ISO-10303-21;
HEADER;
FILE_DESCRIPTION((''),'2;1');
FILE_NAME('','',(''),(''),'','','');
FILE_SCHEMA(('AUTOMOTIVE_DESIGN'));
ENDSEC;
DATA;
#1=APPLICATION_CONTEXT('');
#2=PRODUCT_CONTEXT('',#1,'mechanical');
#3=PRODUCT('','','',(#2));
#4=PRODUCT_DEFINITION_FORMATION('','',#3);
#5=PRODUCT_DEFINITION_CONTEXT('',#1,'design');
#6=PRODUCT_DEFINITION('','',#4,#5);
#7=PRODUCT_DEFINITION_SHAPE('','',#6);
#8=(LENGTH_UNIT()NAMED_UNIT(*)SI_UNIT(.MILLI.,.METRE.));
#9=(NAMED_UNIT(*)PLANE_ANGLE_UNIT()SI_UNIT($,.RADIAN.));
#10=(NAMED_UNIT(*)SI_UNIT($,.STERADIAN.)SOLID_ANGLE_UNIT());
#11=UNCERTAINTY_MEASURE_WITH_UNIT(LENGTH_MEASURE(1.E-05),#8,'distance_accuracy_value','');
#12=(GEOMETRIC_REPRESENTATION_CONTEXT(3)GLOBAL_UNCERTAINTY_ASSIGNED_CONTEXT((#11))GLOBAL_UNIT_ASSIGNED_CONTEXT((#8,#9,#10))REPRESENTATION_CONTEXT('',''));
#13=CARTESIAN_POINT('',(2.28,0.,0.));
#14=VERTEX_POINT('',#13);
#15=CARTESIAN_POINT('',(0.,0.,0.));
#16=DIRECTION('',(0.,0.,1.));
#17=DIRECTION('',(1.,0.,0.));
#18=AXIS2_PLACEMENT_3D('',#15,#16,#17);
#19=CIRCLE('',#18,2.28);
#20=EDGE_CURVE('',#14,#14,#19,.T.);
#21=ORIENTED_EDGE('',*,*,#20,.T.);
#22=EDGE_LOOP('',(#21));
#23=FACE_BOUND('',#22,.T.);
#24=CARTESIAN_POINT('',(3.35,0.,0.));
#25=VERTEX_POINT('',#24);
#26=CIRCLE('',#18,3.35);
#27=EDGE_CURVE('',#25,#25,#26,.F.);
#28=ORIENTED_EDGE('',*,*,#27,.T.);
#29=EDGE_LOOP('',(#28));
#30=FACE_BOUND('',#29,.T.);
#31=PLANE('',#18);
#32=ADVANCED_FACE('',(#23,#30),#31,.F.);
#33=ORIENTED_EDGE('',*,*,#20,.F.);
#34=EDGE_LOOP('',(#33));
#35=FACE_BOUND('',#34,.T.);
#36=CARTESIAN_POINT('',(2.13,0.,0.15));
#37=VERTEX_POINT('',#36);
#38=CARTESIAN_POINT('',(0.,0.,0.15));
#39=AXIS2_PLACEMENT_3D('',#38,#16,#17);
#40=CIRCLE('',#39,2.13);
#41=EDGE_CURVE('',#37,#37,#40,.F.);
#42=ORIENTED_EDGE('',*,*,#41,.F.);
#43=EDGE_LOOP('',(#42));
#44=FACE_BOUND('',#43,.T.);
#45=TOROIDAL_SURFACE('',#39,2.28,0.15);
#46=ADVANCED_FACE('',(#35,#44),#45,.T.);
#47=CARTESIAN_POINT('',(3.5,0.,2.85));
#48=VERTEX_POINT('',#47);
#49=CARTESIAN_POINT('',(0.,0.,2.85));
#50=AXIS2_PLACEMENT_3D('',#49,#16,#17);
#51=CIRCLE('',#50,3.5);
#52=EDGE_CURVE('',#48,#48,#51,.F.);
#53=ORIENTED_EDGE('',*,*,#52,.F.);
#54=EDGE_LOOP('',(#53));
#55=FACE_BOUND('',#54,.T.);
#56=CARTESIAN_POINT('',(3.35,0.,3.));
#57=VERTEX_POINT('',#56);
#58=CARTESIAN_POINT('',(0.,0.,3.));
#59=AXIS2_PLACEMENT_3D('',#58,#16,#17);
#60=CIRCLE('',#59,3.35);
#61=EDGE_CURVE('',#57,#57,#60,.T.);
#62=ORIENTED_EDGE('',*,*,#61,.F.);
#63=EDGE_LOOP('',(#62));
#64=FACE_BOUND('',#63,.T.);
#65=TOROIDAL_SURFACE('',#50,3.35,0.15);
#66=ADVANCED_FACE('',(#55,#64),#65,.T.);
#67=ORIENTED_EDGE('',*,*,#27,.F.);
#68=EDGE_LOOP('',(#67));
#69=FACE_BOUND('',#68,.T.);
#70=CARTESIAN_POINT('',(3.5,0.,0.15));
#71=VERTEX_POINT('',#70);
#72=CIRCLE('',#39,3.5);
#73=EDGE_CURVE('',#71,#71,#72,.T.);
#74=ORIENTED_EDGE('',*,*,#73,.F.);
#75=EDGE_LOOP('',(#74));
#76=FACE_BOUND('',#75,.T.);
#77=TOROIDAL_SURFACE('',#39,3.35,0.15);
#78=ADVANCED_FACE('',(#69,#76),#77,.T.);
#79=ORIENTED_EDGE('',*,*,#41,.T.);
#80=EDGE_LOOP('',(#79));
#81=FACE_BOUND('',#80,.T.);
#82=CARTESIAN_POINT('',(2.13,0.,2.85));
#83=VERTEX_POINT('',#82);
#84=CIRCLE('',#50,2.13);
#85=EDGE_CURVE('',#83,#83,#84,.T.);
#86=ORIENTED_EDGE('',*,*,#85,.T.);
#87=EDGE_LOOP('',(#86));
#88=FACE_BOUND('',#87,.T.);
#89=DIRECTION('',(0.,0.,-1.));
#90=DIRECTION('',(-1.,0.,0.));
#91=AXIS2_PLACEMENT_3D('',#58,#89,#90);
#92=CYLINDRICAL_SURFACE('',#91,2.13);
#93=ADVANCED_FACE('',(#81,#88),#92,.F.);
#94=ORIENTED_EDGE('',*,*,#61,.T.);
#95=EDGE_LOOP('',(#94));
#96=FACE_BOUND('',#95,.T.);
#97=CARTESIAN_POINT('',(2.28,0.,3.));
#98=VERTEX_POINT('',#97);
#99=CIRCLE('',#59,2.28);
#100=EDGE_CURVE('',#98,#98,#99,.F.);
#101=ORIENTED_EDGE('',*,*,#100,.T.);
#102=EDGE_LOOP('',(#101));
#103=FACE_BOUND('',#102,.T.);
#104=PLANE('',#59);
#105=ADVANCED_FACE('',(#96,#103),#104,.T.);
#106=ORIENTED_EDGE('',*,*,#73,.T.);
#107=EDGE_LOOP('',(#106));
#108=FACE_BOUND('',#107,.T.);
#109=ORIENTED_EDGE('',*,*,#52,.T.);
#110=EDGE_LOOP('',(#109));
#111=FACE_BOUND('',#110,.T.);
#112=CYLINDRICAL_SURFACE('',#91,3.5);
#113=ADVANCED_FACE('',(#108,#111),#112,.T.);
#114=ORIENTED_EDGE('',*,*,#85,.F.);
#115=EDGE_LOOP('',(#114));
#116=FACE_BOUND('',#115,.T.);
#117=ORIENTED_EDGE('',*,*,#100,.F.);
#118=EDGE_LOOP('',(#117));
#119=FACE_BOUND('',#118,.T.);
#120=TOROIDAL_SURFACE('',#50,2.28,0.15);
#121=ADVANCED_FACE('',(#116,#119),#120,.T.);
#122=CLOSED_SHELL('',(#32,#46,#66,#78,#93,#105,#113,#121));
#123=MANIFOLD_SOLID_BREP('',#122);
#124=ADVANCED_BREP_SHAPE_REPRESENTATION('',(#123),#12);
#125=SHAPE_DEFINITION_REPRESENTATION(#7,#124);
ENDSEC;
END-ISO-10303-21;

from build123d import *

# Parameters (mm, degrees)
SKETCH_1_R      = 3.5
SKETCH_1_R_2    = 2.13
EXTRUDE_1_DEPTH = 3
FILLET_1_R      = 0.15


with BuildPart() as part:
    # 草图1 → 凸台-拉伸1 (new body)
    with BuildSketch(Plane.XY):
        Circle(SKETCH_1_R)
        Circle(SKETCH_1_R_2, mode=Mode.SUBTRACT)
    extrude(amount=EXTRUDE_1_DEPTH)

    # 圆角1
    fillet_1_edges = [part.edges().sort_by_distance(p)[0] for p in [
        (-3.5, 0, 0),
        (-3.5, 0, 3),
        (-2.13, 0, 0),
        (-2.13, 0, 3),
    ]]
    fillet(fillet_1_edges, radius=FILLET_1_R)


solid = part.part
